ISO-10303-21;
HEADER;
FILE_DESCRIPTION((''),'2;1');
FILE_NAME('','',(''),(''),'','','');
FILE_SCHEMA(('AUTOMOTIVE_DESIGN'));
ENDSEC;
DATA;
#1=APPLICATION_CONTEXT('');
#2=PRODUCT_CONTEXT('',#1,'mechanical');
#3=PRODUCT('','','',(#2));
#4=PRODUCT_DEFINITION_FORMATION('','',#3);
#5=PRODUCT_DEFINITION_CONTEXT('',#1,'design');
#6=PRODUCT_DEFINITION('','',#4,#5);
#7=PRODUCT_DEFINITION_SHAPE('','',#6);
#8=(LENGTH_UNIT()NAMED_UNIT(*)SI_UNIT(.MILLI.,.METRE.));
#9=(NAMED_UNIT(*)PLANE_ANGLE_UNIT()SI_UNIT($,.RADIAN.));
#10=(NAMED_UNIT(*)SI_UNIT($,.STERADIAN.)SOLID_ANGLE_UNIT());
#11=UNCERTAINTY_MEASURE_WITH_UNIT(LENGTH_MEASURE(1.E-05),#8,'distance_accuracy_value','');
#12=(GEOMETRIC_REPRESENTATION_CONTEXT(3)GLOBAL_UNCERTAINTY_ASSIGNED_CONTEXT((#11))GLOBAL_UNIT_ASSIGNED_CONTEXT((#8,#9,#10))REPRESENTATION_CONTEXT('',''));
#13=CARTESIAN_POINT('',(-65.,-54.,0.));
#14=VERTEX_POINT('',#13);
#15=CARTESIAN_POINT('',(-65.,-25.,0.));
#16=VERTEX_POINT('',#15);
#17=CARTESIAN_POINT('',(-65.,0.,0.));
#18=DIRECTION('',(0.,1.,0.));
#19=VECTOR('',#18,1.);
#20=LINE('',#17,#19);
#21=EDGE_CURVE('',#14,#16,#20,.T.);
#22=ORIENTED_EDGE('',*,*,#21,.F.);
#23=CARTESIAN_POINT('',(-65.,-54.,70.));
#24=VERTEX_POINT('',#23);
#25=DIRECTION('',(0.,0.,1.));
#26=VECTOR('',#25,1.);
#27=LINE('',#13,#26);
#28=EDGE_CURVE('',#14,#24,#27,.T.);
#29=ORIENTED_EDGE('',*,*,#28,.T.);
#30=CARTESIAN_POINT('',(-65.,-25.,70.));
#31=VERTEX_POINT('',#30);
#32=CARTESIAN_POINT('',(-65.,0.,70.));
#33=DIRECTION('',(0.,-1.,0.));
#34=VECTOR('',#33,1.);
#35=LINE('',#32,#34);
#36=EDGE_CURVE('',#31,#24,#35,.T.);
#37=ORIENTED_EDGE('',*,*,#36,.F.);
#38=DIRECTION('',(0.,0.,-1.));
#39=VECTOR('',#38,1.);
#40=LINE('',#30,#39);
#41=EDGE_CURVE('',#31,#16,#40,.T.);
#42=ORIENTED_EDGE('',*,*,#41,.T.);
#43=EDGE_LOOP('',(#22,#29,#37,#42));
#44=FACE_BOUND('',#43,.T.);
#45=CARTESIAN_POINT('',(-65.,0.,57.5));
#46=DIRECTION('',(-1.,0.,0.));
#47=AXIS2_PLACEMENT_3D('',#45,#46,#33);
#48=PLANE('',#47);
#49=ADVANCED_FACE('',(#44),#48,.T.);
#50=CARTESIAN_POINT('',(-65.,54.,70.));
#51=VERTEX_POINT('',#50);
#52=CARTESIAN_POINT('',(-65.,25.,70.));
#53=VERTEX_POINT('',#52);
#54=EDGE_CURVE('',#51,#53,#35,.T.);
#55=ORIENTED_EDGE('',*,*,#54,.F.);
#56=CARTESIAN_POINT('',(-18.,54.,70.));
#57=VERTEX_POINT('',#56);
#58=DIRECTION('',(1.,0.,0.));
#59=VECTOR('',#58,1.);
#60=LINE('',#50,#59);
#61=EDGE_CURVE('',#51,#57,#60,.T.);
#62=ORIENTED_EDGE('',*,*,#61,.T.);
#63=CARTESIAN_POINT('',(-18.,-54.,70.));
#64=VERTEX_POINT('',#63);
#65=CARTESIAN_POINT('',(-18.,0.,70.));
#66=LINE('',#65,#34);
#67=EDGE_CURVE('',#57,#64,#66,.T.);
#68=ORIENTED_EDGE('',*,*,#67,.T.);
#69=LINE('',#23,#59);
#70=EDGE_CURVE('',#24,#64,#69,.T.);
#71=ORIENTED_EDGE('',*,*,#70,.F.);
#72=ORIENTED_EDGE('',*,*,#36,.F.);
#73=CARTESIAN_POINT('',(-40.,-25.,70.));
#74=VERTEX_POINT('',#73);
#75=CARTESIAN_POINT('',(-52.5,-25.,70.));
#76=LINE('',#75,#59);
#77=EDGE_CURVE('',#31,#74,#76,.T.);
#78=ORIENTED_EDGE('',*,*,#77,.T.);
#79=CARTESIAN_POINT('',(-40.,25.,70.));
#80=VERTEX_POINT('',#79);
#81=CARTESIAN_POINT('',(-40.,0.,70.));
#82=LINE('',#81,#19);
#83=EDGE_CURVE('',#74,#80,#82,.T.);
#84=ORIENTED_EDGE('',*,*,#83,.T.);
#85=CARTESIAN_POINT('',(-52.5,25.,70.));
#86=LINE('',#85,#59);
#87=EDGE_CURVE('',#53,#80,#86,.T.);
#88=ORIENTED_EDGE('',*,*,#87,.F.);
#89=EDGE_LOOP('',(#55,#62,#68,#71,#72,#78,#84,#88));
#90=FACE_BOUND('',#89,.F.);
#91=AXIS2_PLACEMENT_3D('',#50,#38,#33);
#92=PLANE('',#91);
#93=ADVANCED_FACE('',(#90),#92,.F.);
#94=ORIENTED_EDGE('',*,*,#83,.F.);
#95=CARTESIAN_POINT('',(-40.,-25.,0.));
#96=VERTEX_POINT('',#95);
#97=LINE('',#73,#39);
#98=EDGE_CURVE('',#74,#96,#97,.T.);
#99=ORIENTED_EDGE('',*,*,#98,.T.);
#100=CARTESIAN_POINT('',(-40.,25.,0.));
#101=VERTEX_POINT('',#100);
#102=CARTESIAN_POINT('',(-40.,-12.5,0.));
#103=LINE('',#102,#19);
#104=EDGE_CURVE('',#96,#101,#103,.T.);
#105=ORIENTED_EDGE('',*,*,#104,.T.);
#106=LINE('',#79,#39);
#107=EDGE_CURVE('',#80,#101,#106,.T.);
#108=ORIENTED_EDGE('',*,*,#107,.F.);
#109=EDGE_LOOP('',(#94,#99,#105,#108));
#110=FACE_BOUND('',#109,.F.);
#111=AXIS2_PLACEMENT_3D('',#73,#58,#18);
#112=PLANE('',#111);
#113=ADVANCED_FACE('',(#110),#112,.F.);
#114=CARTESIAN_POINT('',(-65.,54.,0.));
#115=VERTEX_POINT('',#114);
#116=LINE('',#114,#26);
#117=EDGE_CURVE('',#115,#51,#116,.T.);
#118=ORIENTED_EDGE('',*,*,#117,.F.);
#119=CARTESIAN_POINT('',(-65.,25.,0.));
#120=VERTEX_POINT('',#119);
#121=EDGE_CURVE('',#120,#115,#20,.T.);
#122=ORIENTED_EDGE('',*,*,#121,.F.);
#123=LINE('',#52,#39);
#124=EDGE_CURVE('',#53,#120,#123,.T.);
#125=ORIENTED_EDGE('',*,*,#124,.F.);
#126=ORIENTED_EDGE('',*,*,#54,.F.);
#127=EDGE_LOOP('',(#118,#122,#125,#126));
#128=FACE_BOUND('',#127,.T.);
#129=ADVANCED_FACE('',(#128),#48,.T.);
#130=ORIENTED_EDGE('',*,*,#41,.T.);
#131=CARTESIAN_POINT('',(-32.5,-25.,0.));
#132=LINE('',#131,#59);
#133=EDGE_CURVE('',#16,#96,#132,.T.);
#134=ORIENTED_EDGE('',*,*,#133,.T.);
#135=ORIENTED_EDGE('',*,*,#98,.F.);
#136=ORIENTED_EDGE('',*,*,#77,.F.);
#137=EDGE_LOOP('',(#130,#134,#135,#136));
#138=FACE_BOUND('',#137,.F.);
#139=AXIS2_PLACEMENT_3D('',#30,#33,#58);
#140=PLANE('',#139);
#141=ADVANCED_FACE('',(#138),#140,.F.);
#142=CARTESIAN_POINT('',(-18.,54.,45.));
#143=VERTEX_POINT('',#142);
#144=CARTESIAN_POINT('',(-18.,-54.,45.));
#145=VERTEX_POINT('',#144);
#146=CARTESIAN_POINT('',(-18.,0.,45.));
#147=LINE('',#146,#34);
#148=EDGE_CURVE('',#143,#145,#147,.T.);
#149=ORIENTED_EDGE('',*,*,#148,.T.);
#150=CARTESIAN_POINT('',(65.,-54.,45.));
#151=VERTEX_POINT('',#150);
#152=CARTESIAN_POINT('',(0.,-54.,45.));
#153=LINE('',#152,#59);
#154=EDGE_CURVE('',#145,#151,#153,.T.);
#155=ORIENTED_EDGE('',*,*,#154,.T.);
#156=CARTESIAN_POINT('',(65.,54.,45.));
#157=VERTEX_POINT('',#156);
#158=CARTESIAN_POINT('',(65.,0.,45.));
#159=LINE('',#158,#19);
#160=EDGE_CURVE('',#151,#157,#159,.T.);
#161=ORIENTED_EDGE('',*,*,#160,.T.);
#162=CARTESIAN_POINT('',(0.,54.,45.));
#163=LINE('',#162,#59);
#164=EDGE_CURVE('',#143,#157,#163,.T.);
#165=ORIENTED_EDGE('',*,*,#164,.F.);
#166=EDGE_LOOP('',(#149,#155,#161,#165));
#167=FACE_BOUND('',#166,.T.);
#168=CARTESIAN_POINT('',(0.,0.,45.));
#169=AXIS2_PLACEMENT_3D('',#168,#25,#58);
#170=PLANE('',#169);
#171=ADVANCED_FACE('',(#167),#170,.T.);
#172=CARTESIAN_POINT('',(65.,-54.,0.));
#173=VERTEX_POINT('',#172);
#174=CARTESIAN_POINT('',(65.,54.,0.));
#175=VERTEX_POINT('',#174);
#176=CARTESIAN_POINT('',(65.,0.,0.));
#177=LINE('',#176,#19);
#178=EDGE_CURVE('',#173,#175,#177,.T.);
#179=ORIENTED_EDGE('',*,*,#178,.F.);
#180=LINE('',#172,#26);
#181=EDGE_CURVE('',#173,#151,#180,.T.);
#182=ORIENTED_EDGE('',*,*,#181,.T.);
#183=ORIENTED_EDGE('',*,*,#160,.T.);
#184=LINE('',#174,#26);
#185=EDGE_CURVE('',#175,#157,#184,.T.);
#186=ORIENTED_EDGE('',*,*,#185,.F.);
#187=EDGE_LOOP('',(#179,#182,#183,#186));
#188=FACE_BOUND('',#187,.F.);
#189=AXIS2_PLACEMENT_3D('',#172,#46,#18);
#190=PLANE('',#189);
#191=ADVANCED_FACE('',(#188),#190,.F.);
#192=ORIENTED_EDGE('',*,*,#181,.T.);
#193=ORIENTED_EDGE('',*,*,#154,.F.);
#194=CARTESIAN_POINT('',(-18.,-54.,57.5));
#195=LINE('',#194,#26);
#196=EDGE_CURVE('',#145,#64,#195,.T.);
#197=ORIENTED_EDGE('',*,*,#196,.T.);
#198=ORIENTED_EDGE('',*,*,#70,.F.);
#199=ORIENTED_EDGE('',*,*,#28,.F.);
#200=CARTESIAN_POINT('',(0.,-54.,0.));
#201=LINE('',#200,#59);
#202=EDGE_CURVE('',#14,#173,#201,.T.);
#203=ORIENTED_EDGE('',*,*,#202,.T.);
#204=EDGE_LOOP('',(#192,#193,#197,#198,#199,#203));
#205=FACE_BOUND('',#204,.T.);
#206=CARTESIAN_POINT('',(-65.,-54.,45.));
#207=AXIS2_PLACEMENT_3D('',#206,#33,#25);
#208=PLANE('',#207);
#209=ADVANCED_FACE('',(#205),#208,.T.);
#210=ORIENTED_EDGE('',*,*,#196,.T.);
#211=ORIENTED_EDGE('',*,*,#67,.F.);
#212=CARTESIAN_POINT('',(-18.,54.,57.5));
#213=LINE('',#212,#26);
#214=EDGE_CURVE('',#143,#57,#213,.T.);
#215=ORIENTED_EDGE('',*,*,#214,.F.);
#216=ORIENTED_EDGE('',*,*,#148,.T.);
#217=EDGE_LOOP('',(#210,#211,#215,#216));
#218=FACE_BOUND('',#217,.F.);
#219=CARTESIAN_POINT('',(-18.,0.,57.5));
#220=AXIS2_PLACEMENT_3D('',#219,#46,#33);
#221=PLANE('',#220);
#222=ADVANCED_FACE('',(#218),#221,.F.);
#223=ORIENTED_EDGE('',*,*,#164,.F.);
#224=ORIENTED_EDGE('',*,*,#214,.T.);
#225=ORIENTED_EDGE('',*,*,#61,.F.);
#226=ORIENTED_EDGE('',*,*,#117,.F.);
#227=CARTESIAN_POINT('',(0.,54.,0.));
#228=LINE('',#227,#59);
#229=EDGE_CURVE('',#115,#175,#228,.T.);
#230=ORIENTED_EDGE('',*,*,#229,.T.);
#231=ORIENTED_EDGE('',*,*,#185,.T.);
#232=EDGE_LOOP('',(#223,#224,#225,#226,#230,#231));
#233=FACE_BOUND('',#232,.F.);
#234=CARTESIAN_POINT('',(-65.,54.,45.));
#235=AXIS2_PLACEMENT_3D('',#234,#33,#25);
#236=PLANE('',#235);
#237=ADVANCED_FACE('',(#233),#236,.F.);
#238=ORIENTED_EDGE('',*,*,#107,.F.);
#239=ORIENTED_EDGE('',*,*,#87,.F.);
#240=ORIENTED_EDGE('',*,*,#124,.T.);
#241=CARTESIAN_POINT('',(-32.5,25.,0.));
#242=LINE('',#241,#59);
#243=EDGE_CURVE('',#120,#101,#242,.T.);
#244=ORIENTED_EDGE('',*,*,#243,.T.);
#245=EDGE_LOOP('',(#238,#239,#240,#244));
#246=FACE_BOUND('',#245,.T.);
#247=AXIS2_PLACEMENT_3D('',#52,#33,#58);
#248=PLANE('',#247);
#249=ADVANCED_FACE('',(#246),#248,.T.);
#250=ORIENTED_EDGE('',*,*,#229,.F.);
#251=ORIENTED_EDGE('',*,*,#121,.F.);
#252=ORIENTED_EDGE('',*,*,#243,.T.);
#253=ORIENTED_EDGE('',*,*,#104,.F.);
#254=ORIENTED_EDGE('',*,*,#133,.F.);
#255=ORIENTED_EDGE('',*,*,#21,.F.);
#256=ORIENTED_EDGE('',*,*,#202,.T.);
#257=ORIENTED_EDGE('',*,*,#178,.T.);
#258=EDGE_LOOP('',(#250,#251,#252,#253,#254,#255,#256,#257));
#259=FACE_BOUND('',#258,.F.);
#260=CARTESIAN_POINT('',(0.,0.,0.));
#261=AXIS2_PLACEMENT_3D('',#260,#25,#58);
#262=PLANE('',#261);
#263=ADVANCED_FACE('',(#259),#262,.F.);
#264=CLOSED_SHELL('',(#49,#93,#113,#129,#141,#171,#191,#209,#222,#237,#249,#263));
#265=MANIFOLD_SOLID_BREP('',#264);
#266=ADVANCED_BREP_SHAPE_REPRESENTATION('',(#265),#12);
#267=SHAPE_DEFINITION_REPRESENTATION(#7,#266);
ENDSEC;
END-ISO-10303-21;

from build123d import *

# Parameters (mm, degrees)
F0_W     = 130
F0_H     = 108
F1_DEPTH = 45
F2_W     = 108
F2_H     = 25
F3_DEPTH = 47
F4_W     = 25
F4_H     = 50
F5_DEPTH = 70.001


with BuildPart() as f1:
    # F0 (on Top) → F1 (new body)
    with BuildSketch(Plane.XY):
        Rectangle(F0_W, F0_H)
    extrude(amount=F1_DEPTH)

    # F2 (on face) → F3 (join)
    with BuildSketch(Plane(origin=(-65, 0, 0), x_dir=(0, -1, 0), z_dir=(-1, 0, 0))):
        with Locations((0, 57.5)):
            Rectangle(F2_W, F2_H)
    extrude(amount=-F3_DEPTH)

    # F4 (on face) → F5 (cut, through all)
    with BuildSketch(Plane.XY.offset(70)):
        with Locations((-52.5, 0)):
            Rectangle(F4_W, F4_H)
    extrude(amount=-F5_DEPTH, mode=Mode.SUBTRACT)


solid = f1.part
